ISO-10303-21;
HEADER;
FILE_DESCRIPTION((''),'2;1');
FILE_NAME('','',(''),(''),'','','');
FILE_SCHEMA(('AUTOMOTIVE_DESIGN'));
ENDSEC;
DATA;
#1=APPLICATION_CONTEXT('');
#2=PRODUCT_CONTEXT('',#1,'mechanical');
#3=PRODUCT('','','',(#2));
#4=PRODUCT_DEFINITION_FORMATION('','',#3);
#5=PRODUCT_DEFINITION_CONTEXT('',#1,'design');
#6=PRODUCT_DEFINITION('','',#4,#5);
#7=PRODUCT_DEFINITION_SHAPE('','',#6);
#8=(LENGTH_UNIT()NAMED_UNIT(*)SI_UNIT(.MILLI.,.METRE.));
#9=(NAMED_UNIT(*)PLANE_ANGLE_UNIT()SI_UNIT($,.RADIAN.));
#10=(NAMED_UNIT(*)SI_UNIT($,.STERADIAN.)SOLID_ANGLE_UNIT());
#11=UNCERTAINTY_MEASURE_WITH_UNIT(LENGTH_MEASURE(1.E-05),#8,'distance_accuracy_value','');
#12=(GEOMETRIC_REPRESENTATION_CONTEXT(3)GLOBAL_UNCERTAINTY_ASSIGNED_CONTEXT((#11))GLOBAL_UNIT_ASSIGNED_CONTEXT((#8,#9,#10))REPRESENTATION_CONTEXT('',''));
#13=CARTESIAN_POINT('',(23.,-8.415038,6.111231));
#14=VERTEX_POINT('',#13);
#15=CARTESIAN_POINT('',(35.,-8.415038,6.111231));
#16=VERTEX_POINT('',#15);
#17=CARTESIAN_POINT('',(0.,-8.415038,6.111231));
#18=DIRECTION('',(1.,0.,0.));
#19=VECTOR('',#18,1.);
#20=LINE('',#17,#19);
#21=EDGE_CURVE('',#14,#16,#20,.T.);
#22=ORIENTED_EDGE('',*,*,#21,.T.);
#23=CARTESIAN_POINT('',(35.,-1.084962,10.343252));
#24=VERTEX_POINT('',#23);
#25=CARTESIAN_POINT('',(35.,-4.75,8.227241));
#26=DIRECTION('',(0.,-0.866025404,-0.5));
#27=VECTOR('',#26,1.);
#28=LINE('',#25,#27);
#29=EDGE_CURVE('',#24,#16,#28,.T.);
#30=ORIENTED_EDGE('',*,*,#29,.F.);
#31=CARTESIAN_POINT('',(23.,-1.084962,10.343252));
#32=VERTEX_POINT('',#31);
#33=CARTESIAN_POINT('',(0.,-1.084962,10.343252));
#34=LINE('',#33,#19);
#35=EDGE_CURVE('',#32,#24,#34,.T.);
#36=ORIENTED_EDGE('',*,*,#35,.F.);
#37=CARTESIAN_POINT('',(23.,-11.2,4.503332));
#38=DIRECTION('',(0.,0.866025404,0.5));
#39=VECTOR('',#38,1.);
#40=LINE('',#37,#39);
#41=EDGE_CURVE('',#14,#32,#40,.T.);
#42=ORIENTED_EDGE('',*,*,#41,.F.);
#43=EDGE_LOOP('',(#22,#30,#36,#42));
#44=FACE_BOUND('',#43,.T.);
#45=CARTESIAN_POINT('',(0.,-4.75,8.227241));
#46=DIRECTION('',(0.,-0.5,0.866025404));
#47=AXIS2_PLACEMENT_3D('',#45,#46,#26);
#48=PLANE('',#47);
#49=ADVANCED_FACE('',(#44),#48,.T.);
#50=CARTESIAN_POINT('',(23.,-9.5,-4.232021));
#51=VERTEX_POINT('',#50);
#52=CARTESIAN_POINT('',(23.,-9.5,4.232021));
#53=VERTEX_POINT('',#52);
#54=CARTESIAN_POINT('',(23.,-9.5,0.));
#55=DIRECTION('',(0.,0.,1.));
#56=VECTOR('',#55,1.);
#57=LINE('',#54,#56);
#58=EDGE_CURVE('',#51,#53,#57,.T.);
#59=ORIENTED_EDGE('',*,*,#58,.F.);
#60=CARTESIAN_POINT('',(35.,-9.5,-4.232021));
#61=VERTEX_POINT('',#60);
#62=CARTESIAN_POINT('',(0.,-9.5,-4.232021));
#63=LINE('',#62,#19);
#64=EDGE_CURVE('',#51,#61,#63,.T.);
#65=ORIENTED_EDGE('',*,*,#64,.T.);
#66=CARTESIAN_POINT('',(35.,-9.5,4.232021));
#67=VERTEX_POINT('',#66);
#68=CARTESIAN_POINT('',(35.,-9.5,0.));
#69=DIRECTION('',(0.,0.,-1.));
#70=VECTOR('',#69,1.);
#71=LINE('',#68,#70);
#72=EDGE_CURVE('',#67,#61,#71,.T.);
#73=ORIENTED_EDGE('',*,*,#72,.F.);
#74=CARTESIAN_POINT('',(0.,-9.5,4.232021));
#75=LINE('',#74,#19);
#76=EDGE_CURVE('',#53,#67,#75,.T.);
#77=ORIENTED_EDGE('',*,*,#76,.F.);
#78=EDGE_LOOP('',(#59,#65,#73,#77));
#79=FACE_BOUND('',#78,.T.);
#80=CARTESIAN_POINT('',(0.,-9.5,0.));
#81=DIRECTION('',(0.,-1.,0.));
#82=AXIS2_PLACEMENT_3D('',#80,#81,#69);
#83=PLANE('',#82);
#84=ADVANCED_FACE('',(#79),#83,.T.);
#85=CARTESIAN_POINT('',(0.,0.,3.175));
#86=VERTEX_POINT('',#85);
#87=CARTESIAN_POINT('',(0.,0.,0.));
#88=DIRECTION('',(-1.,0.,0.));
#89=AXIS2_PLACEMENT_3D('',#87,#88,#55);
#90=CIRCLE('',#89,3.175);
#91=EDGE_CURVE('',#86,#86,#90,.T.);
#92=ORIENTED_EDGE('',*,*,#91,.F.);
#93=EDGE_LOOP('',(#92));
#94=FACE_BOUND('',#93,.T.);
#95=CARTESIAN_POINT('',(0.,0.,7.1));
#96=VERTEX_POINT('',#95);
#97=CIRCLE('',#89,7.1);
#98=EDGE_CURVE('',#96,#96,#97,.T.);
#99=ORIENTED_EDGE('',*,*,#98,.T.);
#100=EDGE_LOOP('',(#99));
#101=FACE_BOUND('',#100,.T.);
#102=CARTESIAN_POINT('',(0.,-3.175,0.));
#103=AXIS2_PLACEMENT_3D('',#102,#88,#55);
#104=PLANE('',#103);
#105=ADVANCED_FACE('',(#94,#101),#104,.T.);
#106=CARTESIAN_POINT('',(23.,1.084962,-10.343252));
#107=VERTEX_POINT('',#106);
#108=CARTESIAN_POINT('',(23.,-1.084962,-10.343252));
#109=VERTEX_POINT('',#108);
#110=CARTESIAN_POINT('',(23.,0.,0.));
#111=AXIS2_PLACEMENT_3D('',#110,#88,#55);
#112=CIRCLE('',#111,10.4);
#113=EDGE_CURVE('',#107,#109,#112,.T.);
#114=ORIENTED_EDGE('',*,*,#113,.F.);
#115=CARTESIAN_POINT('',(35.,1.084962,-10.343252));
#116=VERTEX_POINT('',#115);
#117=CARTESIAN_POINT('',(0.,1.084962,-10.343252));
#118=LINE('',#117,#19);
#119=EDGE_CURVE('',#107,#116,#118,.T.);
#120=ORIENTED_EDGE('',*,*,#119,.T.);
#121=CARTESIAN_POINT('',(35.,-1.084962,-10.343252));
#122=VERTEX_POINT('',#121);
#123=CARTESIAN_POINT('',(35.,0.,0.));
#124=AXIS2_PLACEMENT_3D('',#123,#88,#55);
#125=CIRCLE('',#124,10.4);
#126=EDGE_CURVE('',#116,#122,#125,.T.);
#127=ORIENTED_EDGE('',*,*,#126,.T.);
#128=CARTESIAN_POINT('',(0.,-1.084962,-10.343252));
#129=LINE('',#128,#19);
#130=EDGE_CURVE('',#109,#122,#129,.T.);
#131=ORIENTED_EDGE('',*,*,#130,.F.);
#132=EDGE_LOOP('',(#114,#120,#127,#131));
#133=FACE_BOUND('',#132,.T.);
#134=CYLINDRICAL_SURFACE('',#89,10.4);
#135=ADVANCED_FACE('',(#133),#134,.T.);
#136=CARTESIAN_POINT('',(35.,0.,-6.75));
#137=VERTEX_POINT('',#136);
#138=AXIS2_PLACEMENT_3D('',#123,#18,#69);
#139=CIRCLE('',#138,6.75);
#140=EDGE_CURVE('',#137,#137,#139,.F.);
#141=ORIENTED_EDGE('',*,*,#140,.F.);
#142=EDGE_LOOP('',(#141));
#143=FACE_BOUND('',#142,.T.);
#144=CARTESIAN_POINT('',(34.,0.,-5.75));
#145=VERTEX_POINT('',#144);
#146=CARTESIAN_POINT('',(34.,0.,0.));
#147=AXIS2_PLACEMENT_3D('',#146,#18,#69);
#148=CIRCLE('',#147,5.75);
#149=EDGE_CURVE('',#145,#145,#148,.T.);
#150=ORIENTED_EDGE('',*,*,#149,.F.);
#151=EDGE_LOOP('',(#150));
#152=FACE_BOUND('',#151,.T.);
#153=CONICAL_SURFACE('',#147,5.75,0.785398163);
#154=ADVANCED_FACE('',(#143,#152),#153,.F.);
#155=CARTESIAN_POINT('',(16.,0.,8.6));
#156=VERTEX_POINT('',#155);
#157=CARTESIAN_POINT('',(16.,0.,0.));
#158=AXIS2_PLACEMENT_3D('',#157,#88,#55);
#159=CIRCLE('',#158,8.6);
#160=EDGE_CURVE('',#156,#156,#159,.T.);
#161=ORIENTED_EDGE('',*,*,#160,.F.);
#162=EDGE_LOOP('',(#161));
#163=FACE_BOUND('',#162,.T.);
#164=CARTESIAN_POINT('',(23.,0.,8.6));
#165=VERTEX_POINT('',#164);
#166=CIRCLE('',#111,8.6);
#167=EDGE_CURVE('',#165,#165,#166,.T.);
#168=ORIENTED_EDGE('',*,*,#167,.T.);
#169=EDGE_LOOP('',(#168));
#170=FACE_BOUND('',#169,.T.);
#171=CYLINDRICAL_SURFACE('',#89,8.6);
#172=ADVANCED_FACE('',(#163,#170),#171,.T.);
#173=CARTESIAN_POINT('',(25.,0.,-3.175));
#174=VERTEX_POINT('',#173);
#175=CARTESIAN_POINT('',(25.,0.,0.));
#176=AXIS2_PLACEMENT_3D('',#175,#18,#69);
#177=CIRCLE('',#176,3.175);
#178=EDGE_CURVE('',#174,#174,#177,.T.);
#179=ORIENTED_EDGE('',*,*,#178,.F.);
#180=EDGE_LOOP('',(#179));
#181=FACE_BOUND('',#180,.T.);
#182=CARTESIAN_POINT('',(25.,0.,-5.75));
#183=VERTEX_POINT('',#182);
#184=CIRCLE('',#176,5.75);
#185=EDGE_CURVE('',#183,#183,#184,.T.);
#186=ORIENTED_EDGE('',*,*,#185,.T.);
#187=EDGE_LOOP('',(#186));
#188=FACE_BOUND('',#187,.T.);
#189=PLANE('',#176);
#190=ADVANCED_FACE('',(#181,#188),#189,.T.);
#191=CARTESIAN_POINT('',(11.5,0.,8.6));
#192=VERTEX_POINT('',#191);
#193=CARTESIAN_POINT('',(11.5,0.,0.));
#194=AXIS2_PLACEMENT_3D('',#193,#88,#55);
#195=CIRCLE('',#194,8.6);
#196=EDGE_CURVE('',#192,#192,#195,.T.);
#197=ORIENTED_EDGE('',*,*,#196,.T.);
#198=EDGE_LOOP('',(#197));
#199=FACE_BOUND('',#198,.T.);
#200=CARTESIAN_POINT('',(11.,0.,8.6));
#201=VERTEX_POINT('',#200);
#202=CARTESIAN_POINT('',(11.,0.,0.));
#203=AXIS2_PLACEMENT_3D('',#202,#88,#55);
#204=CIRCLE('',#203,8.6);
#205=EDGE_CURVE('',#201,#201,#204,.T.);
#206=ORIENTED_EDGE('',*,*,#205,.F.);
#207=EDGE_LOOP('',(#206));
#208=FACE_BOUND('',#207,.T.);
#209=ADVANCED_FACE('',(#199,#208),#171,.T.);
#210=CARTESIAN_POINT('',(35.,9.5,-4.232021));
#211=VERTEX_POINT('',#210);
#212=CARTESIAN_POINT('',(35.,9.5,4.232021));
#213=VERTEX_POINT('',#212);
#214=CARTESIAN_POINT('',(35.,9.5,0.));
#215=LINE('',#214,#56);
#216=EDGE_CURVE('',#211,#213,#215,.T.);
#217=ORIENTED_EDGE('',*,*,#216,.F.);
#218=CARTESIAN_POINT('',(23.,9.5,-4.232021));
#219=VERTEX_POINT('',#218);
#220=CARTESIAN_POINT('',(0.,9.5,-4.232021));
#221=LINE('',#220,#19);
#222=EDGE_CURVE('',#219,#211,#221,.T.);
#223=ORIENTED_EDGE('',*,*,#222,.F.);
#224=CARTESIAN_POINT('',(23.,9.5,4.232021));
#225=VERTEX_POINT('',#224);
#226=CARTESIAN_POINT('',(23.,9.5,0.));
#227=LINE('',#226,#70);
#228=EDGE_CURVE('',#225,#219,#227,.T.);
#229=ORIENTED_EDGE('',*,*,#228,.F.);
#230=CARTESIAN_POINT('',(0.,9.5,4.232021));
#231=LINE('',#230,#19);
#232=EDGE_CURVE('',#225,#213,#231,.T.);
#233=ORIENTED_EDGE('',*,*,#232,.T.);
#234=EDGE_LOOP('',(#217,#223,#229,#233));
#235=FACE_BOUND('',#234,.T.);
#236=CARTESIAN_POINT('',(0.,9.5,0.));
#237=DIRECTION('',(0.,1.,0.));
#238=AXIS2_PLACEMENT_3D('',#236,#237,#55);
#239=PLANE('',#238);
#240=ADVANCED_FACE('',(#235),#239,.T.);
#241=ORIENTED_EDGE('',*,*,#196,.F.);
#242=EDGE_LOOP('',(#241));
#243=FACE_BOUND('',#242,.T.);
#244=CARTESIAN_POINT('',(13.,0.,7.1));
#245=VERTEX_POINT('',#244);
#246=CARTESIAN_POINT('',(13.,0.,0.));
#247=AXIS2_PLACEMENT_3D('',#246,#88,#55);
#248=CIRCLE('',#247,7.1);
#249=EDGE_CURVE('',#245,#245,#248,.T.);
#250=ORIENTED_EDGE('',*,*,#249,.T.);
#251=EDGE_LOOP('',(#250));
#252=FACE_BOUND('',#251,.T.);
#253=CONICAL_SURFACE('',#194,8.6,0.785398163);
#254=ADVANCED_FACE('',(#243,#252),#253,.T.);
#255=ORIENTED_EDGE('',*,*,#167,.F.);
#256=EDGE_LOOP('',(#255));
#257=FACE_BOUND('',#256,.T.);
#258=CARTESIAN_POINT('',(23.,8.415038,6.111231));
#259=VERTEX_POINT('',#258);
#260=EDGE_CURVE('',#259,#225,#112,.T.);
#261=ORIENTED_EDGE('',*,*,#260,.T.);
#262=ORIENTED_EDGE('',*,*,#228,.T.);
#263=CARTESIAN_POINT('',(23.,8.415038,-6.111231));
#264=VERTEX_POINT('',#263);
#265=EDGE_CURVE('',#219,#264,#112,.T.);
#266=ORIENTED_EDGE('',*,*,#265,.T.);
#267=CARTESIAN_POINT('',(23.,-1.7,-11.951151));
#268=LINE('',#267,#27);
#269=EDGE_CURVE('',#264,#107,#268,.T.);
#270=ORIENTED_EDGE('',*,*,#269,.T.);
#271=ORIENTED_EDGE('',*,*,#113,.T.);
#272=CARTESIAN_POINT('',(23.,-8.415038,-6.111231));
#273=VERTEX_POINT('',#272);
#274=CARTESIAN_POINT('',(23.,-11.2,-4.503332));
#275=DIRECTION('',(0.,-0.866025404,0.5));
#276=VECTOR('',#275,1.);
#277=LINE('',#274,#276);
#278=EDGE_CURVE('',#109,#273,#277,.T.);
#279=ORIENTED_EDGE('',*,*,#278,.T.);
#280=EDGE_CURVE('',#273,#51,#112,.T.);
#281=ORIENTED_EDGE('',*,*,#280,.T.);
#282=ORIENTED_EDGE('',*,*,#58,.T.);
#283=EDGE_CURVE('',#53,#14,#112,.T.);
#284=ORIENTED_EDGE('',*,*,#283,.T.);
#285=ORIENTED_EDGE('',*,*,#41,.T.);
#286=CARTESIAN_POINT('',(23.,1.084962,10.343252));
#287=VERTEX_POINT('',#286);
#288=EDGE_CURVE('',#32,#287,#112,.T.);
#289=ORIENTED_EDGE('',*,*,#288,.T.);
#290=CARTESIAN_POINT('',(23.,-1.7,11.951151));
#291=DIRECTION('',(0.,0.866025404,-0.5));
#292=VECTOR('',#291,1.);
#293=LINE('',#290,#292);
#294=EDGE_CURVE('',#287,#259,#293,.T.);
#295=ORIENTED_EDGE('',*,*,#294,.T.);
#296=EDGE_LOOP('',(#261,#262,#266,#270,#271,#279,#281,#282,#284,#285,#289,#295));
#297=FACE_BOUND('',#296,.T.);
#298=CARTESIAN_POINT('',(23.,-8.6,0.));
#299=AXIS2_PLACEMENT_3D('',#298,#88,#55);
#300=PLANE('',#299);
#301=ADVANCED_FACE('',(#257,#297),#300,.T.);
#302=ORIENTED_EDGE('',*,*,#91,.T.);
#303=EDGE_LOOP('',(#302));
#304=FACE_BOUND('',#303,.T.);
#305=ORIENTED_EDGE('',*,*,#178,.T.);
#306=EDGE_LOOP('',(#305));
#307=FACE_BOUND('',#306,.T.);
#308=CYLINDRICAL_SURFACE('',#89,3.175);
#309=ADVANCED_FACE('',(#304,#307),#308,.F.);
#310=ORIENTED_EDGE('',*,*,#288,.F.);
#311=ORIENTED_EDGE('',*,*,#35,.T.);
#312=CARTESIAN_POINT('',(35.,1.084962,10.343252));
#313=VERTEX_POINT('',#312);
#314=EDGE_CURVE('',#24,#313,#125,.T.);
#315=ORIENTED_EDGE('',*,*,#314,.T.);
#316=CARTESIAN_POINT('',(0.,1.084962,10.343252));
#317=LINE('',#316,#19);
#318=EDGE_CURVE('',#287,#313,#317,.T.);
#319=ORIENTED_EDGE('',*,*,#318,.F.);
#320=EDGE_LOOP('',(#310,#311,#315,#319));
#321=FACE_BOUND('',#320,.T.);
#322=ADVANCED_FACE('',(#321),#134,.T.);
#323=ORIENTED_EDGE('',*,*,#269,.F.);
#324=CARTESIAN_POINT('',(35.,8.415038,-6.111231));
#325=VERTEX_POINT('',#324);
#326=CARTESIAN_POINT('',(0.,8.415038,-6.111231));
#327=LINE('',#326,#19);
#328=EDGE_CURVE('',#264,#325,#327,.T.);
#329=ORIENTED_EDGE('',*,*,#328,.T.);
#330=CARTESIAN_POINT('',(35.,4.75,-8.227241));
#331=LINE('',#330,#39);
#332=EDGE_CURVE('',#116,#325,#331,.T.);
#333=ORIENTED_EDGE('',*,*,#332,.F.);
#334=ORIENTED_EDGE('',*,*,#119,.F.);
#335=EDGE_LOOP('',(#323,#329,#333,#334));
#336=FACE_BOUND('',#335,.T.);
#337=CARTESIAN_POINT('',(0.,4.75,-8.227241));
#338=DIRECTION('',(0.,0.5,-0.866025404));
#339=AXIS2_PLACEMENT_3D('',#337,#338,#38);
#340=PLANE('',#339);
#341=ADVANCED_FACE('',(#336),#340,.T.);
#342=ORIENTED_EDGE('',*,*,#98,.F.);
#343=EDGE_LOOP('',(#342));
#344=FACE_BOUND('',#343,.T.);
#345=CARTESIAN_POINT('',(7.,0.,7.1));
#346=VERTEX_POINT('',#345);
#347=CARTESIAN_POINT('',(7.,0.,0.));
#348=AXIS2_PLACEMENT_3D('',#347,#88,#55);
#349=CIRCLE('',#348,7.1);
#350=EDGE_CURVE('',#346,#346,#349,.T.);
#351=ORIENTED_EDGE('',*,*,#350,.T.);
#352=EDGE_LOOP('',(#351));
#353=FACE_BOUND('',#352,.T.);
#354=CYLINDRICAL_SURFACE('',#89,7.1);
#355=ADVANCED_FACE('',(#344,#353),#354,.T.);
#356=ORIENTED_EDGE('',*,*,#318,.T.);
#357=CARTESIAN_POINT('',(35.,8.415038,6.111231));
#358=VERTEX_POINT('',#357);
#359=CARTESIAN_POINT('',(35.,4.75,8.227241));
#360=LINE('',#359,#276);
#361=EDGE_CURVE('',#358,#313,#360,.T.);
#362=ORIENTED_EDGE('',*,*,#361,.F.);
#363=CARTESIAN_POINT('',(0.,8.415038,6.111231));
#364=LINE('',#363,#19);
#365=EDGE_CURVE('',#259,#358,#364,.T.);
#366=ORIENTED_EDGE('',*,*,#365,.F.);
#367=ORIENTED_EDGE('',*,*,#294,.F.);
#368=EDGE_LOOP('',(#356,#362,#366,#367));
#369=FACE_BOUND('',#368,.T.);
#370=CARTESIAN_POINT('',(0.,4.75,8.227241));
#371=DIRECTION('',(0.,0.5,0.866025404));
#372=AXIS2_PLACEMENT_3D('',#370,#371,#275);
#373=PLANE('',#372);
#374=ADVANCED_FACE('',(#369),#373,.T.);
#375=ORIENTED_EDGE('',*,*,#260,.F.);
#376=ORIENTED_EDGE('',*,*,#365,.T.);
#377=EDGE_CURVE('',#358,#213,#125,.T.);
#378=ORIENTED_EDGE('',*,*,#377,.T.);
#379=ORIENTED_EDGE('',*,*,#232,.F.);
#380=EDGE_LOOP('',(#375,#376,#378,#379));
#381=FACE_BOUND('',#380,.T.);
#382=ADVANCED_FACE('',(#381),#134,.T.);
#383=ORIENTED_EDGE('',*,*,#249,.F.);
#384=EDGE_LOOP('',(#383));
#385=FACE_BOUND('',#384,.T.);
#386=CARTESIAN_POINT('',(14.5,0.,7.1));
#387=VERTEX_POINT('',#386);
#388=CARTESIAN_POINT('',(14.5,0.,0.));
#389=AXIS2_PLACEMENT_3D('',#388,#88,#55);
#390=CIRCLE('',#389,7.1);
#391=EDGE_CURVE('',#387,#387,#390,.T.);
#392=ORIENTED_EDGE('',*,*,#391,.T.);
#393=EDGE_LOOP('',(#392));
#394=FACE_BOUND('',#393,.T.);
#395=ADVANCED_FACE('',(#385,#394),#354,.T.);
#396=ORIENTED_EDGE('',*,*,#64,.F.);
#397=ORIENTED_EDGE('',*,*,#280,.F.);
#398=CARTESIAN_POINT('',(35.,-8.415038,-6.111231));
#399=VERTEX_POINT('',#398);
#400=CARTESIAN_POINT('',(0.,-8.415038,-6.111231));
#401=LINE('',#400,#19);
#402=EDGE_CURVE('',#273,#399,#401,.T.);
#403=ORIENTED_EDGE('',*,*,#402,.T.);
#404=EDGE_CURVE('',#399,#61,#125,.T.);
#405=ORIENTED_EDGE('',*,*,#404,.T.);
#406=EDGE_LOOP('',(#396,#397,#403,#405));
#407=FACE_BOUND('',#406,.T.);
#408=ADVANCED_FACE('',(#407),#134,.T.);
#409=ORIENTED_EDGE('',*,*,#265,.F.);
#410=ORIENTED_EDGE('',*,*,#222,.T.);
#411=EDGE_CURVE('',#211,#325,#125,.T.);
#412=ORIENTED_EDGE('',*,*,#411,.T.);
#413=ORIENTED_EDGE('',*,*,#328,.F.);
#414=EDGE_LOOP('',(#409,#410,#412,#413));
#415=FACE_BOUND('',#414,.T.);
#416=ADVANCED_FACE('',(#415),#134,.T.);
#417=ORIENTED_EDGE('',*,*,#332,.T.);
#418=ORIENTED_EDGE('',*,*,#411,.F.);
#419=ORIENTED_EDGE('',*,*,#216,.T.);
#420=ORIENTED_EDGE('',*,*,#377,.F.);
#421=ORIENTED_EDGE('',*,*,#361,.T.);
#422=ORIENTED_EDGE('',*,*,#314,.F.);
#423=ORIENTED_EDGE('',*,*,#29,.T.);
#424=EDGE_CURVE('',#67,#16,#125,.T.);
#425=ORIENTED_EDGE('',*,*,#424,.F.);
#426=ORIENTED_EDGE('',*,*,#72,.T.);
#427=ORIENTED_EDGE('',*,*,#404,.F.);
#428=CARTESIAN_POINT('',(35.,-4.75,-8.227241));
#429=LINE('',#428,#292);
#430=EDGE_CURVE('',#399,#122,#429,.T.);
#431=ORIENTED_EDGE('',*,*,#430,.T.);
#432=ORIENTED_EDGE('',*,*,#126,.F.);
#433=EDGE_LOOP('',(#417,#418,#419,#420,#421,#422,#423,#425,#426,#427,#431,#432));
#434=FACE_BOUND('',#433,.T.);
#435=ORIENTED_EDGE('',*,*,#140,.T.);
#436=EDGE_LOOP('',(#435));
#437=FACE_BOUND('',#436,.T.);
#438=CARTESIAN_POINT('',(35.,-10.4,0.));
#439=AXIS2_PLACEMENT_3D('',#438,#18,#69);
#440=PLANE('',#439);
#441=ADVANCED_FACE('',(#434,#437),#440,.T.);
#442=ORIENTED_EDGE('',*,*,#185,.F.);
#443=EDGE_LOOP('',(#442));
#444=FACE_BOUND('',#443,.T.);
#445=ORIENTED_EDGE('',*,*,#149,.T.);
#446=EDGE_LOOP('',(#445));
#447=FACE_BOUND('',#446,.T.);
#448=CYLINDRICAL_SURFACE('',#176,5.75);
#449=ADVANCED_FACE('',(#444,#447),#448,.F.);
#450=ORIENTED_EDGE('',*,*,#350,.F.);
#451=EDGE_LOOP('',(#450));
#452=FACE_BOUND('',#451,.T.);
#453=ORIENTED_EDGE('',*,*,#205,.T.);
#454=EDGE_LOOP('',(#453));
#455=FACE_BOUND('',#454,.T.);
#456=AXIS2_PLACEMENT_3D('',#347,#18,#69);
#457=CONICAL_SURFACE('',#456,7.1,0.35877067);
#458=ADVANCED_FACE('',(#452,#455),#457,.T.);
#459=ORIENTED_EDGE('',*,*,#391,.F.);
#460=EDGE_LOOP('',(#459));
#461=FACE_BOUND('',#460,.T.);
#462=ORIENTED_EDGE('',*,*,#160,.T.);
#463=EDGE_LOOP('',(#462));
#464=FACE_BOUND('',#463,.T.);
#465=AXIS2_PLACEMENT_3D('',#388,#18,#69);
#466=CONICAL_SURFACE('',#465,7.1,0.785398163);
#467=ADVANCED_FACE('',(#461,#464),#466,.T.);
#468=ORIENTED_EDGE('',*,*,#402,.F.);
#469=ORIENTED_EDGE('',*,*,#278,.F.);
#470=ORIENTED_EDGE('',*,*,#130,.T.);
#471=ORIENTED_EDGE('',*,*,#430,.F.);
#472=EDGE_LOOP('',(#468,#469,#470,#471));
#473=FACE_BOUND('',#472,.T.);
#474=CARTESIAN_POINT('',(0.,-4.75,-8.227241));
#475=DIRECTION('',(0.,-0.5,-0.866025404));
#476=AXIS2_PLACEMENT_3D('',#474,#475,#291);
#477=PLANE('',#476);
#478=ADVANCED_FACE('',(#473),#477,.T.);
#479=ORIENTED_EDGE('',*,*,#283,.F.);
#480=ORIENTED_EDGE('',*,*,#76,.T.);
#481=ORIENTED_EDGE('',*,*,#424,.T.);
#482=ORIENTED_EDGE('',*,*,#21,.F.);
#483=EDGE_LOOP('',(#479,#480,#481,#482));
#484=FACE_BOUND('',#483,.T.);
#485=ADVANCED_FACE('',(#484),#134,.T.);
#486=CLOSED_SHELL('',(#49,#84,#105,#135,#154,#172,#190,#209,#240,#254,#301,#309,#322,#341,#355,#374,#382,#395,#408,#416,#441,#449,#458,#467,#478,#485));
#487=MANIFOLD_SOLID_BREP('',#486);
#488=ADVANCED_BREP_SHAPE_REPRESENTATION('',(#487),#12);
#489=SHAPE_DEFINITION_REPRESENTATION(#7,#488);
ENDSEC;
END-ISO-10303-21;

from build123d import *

# Parameters (mm, degrees)
CUT_EXTRUDE1_DEPTH       = 38.964720465
SCHIZZO1_R               = 5.75
TAGLIO_ESTRUSIONE1_DEPTH = 10
SMUSSO1_SIZE             = 1


with BuildPart() as part:
    # Sketch1 → Revolve1 (revolve)
    with BuildSketch(Plane.XY, mode=Mode.PRIVATE) as revolve1_sk:
        Polygon((0, -7.1), (7, -7.1), (11, -8.6), (11.5, -8.6), (13, -7.1), (14.5, -7.1), (16, -8.6), (23, -8.6), (23, -10.4), (35, -10.4), (35, -3.175), (0, -3.175), align=None)
    revolve(revolve1_sk.sketch.rotate(Axis((0, 0, 0), (1, 0, 0)), 270), axis=Axis((0, 0, 0), (1, 0, 0)))

    # Sketch2 → Cut-Extrude1 (cut, through all)
    with BuildSketch(Plane(origin=(35, 0, 0), x_dir=(0, 0, -1), z_dir=(1, 0, 0))):
        with BuildLine():
            Line((-10.343251733, 1.084962483), (-6.111230939, 8.415037517))
            ThreePointArc((-6.111230939, 8.415037517), (-9.006664199, 5.2), (-10.343251733, 1.084962483))
        make_face()
        with BuildLine():
            ThreePointArc((4.232020794, 9.5), (0, 10.4), (-4.232020794, 9.5))
            Line((-4.232020794, 9.5), (4.232020794, 9.5))
        make_face()
        with BuildLine():
            Line((-6.111230939, -8.415037517), (-10.343251733, -1.084962483))
            ThreePointArc((-10.343251733, -1.084962483), (-9.006664199, -5.2), (-6.111230939, -8.415037517))
        make_face()
        with BuildLine():
            ThreePointArc((10.343251733, 1.084962483), (9.006664199, 5.2), (6.111230939, 8.415037517))
            Line((6.111230939, 8.415037517), (10.343251733, 1.084962483))
        make_face()
        with BuildLine():
            Line((4.232020794, -9.5), (-4.232020794, -9.5))
            ThreePointArc((-4.232020794, -9.5), (0, -10.4), (4.232020794, -9.5))
        make_face()
        with BuildLine():
            ThreePointArc((6.111230939, -8.415037517), (9.006664199, -5.2), (10.343251733, -1.084962483))
            Line((10.343251733, -1.084962483), (6.111230939, -8.415037517))
        make_face()
    extrude(amount=-CUT_EXTRUDE1_DEPTH, mode=Mode.SUBTRACT)

    # Schizzo1 → Taglio-Estrusione1 (cut)
    with BuildSketch(Plane(origin=(35, 0, 0), x_dir=(0, 0, -1), z_dir=(1, 0, 0))):
        Circle(SCHIZZO1_R)
    extrude(amount=-TAGLIO_ESTRUSIONE1_DEPTH, mode=Mode.SUBTRACT)

    # Smusso1
    smusso1_edges = [part.edges().sort_by_distance(p)[0] for p in [
        (35, 0, 5.75),
    ]]
    chamfer(smusso1_edges, length=SMUSSO1_SIZE)


solid = part.part
